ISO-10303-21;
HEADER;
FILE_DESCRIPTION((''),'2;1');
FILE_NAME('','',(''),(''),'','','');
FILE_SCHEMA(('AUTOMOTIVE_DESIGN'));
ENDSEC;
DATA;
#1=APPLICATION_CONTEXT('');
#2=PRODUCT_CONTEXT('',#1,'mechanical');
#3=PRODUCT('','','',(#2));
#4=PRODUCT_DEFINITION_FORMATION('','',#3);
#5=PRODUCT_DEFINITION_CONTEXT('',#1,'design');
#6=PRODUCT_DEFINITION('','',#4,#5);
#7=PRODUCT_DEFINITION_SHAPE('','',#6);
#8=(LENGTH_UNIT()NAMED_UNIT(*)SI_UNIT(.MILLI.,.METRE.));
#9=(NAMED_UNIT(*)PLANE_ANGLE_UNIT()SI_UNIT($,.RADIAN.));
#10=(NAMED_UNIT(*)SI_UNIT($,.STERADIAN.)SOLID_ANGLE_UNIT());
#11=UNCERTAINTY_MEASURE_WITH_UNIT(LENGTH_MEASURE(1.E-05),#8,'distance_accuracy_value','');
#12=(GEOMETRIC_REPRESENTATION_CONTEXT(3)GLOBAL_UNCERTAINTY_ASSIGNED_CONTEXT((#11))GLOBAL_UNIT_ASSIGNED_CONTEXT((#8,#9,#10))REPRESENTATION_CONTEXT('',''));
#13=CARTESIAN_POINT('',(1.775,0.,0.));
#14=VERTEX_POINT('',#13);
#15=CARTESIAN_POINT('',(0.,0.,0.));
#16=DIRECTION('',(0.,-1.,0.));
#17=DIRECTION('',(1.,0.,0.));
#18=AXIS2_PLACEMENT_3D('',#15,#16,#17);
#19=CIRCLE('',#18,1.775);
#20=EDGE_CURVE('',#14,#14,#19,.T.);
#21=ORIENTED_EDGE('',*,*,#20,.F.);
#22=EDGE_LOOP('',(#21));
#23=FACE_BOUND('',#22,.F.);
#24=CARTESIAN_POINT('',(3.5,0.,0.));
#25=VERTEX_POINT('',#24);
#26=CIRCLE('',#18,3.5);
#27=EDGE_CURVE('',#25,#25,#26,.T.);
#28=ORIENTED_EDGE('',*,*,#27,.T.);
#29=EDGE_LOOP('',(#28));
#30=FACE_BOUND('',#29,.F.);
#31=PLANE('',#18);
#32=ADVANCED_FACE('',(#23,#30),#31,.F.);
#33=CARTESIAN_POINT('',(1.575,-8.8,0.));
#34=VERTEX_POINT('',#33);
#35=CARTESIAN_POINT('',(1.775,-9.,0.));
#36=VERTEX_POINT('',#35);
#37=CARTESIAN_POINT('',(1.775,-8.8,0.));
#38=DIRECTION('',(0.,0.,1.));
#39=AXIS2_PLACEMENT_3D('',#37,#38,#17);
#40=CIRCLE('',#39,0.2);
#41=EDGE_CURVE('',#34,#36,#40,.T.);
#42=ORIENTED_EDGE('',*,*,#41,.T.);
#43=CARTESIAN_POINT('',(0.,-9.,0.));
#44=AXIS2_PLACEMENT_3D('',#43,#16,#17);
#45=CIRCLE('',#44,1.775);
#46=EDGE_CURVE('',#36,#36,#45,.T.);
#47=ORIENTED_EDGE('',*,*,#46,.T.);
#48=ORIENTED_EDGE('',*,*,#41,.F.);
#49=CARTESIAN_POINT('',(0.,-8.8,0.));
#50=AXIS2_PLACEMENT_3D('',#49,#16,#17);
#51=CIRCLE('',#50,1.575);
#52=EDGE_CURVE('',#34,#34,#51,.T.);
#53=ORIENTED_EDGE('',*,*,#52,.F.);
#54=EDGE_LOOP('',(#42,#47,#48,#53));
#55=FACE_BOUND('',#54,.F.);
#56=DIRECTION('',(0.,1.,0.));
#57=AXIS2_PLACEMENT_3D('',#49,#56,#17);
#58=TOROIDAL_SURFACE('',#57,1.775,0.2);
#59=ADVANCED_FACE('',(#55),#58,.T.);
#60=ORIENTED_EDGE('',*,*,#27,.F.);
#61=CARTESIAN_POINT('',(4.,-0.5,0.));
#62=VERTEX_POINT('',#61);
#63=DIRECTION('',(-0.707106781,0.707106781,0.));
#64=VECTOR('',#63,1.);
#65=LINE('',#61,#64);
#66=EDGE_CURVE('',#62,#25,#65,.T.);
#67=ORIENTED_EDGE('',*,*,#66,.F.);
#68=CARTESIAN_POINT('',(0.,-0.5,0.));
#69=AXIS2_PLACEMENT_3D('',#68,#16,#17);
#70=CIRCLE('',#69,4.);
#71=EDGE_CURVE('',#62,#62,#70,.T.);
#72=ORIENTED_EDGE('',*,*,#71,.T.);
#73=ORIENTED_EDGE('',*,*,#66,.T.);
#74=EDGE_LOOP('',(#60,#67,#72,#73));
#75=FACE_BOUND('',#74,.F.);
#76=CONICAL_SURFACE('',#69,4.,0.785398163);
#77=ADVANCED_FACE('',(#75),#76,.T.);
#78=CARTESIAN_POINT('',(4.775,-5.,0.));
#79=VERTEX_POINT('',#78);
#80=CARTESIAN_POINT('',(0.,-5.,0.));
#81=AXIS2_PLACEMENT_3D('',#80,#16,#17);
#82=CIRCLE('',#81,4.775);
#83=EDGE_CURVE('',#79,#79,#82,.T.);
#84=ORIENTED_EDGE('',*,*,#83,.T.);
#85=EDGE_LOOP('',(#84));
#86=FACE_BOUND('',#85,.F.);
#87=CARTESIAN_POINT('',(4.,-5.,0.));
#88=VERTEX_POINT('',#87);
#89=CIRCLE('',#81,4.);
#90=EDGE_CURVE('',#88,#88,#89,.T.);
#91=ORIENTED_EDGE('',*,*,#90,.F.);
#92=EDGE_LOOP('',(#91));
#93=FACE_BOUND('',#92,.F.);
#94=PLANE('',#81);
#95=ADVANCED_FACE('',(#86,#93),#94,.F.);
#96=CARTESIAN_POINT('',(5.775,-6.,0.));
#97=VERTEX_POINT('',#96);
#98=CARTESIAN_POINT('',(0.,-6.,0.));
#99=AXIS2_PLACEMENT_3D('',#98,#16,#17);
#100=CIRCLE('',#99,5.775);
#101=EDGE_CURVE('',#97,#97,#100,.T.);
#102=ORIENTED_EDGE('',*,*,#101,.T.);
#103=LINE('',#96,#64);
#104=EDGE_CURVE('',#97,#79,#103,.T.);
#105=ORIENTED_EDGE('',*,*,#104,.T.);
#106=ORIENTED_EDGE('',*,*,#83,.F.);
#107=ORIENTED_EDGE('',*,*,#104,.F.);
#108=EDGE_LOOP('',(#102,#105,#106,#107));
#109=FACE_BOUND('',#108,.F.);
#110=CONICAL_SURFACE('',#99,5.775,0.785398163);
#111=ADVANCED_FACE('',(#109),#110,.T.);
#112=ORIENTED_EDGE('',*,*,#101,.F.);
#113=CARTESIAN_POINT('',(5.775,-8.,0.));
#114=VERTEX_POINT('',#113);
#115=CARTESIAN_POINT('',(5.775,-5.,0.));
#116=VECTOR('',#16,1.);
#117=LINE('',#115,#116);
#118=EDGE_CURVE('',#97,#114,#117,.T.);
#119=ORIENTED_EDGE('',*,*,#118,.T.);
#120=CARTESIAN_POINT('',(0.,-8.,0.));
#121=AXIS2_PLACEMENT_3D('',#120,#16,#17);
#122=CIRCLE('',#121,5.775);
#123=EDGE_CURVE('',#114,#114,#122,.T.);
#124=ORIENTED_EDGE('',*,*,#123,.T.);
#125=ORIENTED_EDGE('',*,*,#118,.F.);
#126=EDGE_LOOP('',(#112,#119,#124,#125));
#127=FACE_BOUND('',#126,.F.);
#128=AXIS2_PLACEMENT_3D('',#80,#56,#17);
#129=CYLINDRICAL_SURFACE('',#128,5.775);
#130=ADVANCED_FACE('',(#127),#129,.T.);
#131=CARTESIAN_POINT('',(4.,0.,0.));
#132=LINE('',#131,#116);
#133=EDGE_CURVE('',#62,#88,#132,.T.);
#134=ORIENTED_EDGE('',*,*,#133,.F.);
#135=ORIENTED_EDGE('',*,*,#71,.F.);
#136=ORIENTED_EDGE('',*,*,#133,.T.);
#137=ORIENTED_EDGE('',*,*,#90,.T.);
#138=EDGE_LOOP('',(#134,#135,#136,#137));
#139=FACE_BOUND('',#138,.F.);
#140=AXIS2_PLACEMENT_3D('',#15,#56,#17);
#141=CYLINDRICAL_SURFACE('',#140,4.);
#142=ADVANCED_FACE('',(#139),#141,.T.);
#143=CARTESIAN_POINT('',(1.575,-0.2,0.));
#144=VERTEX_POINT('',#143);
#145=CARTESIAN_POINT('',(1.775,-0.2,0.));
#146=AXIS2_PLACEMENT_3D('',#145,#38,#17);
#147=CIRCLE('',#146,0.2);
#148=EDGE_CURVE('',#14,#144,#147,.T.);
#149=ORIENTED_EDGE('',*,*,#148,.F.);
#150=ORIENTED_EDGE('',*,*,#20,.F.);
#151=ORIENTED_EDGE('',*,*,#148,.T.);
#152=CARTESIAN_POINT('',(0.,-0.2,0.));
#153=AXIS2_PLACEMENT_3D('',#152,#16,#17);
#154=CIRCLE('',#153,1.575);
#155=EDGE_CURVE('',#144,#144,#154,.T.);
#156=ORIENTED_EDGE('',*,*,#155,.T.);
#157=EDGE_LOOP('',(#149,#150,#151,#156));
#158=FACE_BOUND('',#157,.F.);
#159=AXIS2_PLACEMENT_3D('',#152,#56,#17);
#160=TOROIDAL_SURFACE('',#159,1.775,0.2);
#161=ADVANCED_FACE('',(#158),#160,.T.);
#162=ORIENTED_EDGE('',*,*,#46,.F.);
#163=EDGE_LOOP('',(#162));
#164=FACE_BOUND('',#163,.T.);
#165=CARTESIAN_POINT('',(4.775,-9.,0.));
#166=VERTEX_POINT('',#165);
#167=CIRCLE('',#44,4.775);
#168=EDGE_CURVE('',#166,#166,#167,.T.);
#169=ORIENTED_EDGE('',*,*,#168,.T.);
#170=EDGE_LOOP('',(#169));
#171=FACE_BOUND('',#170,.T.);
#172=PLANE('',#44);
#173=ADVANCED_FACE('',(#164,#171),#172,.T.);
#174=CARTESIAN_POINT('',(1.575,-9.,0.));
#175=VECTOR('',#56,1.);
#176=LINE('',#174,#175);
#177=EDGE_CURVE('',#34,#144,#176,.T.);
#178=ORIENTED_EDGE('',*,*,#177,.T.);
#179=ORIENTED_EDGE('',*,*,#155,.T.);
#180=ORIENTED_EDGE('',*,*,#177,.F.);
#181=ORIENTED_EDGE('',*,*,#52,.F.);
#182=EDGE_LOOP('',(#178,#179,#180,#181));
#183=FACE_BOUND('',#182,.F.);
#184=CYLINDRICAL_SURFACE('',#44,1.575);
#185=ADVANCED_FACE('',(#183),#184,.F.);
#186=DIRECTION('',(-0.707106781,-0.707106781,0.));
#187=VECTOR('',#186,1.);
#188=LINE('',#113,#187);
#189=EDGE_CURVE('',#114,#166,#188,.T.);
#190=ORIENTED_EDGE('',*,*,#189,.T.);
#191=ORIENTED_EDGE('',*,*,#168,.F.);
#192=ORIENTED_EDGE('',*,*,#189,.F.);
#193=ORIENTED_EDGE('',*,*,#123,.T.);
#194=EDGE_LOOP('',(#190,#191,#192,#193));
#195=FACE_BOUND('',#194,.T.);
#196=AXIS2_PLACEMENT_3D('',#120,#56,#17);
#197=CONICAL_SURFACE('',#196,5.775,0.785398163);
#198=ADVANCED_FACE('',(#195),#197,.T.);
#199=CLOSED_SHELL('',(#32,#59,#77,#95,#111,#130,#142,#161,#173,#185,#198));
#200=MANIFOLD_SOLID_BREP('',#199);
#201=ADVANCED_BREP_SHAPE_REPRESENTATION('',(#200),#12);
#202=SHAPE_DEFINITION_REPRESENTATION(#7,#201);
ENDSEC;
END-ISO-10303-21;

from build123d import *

# Parameters (mm, degrees)
F0_R     = 4
F1_DEPTH = 5
F2_R     = 5.775
F2_R_2   = 4
F3_DEPTH = 4
F4_R     = 1.575
F5_DEPTH = 10
F6_SIZE  = 1
F7_SIZE  = 0.5
F8_R     = 0.2


with BuildPart() as f1:
    # F0 (on Front) → F1 (new body)
    with BuildSketch(Plane.XZ):
        Circle(F0_R)
    extrude(amount=F1_DEPTH)

    # F2 (on face) → F3 (join)
    with BuildSketch(Plane.XZ.offset(5)):
        Circle(F2_R)
        Circle(F2_R_2, mode=Mode.SUBTRACT)
        Circle(F2_R_2)
    extrude(amount=F3_DEPTH)

    # F4 (on face) → F5 (cut)
    with BuildSketch(Plane.XZ.offset(9)):
        Circle(F4_R)
    extrude(amount=-F5_DEPTH, mode=Mode.SUBTRACT)

    # F6
    f6_edges = [f1.edges().sort_by_distance(p)[0] for p in [
        (-5.775, -9, 0),
        (-5.775, -5, 0),
    ]]
    chamfer(f6_edges, length=F6_SIZE)

    # F7
    f7_edges = [f1.edges().sort_by_distance(p)[0] for p in [
        (-4, 0, 0),
    ]]
    chamfer(f7_edges, length=F7_SIZE)

    # F8
    f8_edges = [f1.edges().sort_by_distance(p)[0] for p in [
        (-1.575, -9, 0),
        (-1.575, 0, 0),
    ]]
    fillet(f8_edges, radius=F8_R)


solid = f1.part
